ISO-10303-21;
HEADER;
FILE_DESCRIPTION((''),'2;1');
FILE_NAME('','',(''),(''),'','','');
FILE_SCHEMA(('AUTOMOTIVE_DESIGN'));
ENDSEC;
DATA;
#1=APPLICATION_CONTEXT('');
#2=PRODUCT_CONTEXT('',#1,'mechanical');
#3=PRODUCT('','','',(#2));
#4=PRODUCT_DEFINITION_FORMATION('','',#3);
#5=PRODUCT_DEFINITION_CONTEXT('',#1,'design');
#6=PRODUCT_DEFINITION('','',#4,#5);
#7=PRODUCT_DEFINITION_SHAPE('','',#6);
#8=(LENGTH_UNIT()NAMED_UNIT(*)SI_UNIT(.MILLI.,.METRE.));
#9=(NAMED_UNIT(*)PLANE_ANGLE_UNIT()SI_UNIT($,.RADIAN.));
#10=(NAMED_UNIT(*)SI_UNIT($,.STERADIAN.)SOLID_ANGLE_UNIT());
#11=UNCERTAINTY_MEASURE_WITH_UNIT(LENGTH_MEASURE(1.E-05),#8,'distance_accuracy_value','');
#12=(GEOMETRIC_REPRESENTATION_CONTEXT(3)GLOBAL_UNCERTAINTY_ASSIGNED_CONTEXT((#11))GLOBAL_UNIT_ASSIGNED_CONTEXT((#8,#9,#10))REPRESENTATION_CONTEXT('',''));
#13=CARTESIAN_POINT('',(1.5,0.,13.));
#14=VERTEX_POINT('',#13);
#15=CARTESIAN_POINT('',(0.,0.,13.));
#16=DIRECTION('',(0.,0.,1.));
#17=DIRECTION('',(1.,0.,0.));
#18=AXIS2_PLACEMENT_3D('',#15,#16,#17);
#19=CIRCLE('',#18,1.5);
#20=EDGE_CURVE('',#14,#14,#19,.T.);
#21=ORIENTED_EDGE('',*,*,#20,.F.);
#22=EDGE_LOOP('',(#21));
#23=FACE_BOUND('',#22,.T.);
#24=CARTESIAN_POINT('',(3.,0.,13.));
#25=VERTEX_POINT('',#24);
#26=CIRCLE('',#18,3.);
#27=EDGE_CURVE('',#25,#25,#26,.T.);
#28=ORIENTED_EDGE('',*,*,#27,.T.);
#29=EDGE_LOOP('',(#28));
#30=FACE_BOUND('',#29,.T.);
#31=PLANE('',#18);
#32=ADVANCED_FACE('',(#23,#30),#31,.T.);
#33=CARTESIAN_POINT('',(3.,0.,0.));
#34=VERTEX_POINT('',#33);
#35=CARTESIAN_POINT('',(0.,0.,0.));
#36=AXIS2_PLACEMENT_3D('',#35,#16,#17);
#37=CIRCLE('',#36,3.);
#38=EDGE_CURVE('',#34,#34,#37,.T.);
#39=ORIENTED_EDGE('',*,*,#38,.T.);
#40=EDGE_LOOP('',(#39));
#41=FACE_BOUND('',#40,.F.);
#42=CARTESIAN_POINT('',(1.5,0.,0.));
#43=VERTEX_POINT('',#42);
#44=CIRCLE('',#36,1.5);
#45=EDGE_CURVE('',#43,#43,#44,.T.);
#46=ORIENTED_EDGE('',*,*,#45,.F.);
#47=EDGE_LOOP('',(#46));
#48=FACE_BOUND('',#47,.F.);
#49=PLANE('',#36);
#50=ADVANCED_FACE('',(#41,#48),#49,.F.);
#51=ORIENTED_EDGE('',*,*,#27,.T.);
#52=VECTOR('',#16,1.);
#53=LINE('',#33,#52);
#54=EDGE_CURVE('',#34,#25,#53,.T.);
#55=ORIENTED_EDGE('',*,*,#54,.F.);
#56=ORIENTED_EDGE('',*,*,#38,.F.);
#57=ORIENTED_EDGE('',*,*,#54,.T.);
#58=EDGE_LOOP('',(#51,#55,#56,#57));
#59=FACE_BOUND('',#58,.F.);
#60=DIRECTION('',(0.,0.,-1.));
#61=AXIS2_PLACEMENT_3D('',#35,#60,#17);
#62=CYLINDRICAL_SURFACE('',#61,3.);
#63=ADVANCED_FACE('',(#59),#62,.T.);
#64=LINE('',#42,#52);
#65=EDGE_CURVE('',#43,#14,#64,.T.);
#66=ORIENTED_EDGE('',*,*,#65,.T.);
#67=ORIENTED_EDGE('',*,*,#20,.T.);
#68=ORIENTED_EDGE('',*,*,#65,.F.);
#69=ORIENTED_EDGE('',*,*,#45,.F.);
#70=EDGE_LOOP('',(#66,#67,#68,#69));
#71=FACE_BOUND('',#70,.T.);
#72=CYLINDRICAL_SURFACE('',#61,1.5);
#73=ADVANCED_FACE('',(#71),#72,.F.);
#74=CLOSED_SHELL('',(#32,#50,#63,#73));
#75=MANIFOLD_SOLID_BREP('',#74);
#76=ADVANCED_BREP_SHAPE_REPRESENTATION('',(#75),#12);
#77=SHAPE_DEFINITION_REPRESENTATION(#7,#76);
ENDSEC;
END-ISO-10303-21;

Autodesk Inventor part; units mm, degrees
ref_plane "YZ Plane" through (0, 0, 0) normal (1, 0, 0) x (0, 1, 0)
ref_plane "XZ Plane" through (0, 0, 0) normal (0, 1, 0) x (-1, 0, 0)
ref_plane "XY Plane" through (0, 0, 0) normal (0, 0, 1) x (1, 0, 0)
sketch "スケッチ1" plane through (0, 0, 0) normal (0, 0, 1) x (1, 0, 0)
  circle A0 centre (0, 0) radius 3
  circle A1 centre (0, 0) radius 1.5
  dimension "d0" = 6
  dimension "d1" = 3
extrude "押し出し1" add sketch "スケッチ1" along normal blind 13
properties part number "ABSスペーサーm3-13　簡易筒型" material "ABS プラスチック"
